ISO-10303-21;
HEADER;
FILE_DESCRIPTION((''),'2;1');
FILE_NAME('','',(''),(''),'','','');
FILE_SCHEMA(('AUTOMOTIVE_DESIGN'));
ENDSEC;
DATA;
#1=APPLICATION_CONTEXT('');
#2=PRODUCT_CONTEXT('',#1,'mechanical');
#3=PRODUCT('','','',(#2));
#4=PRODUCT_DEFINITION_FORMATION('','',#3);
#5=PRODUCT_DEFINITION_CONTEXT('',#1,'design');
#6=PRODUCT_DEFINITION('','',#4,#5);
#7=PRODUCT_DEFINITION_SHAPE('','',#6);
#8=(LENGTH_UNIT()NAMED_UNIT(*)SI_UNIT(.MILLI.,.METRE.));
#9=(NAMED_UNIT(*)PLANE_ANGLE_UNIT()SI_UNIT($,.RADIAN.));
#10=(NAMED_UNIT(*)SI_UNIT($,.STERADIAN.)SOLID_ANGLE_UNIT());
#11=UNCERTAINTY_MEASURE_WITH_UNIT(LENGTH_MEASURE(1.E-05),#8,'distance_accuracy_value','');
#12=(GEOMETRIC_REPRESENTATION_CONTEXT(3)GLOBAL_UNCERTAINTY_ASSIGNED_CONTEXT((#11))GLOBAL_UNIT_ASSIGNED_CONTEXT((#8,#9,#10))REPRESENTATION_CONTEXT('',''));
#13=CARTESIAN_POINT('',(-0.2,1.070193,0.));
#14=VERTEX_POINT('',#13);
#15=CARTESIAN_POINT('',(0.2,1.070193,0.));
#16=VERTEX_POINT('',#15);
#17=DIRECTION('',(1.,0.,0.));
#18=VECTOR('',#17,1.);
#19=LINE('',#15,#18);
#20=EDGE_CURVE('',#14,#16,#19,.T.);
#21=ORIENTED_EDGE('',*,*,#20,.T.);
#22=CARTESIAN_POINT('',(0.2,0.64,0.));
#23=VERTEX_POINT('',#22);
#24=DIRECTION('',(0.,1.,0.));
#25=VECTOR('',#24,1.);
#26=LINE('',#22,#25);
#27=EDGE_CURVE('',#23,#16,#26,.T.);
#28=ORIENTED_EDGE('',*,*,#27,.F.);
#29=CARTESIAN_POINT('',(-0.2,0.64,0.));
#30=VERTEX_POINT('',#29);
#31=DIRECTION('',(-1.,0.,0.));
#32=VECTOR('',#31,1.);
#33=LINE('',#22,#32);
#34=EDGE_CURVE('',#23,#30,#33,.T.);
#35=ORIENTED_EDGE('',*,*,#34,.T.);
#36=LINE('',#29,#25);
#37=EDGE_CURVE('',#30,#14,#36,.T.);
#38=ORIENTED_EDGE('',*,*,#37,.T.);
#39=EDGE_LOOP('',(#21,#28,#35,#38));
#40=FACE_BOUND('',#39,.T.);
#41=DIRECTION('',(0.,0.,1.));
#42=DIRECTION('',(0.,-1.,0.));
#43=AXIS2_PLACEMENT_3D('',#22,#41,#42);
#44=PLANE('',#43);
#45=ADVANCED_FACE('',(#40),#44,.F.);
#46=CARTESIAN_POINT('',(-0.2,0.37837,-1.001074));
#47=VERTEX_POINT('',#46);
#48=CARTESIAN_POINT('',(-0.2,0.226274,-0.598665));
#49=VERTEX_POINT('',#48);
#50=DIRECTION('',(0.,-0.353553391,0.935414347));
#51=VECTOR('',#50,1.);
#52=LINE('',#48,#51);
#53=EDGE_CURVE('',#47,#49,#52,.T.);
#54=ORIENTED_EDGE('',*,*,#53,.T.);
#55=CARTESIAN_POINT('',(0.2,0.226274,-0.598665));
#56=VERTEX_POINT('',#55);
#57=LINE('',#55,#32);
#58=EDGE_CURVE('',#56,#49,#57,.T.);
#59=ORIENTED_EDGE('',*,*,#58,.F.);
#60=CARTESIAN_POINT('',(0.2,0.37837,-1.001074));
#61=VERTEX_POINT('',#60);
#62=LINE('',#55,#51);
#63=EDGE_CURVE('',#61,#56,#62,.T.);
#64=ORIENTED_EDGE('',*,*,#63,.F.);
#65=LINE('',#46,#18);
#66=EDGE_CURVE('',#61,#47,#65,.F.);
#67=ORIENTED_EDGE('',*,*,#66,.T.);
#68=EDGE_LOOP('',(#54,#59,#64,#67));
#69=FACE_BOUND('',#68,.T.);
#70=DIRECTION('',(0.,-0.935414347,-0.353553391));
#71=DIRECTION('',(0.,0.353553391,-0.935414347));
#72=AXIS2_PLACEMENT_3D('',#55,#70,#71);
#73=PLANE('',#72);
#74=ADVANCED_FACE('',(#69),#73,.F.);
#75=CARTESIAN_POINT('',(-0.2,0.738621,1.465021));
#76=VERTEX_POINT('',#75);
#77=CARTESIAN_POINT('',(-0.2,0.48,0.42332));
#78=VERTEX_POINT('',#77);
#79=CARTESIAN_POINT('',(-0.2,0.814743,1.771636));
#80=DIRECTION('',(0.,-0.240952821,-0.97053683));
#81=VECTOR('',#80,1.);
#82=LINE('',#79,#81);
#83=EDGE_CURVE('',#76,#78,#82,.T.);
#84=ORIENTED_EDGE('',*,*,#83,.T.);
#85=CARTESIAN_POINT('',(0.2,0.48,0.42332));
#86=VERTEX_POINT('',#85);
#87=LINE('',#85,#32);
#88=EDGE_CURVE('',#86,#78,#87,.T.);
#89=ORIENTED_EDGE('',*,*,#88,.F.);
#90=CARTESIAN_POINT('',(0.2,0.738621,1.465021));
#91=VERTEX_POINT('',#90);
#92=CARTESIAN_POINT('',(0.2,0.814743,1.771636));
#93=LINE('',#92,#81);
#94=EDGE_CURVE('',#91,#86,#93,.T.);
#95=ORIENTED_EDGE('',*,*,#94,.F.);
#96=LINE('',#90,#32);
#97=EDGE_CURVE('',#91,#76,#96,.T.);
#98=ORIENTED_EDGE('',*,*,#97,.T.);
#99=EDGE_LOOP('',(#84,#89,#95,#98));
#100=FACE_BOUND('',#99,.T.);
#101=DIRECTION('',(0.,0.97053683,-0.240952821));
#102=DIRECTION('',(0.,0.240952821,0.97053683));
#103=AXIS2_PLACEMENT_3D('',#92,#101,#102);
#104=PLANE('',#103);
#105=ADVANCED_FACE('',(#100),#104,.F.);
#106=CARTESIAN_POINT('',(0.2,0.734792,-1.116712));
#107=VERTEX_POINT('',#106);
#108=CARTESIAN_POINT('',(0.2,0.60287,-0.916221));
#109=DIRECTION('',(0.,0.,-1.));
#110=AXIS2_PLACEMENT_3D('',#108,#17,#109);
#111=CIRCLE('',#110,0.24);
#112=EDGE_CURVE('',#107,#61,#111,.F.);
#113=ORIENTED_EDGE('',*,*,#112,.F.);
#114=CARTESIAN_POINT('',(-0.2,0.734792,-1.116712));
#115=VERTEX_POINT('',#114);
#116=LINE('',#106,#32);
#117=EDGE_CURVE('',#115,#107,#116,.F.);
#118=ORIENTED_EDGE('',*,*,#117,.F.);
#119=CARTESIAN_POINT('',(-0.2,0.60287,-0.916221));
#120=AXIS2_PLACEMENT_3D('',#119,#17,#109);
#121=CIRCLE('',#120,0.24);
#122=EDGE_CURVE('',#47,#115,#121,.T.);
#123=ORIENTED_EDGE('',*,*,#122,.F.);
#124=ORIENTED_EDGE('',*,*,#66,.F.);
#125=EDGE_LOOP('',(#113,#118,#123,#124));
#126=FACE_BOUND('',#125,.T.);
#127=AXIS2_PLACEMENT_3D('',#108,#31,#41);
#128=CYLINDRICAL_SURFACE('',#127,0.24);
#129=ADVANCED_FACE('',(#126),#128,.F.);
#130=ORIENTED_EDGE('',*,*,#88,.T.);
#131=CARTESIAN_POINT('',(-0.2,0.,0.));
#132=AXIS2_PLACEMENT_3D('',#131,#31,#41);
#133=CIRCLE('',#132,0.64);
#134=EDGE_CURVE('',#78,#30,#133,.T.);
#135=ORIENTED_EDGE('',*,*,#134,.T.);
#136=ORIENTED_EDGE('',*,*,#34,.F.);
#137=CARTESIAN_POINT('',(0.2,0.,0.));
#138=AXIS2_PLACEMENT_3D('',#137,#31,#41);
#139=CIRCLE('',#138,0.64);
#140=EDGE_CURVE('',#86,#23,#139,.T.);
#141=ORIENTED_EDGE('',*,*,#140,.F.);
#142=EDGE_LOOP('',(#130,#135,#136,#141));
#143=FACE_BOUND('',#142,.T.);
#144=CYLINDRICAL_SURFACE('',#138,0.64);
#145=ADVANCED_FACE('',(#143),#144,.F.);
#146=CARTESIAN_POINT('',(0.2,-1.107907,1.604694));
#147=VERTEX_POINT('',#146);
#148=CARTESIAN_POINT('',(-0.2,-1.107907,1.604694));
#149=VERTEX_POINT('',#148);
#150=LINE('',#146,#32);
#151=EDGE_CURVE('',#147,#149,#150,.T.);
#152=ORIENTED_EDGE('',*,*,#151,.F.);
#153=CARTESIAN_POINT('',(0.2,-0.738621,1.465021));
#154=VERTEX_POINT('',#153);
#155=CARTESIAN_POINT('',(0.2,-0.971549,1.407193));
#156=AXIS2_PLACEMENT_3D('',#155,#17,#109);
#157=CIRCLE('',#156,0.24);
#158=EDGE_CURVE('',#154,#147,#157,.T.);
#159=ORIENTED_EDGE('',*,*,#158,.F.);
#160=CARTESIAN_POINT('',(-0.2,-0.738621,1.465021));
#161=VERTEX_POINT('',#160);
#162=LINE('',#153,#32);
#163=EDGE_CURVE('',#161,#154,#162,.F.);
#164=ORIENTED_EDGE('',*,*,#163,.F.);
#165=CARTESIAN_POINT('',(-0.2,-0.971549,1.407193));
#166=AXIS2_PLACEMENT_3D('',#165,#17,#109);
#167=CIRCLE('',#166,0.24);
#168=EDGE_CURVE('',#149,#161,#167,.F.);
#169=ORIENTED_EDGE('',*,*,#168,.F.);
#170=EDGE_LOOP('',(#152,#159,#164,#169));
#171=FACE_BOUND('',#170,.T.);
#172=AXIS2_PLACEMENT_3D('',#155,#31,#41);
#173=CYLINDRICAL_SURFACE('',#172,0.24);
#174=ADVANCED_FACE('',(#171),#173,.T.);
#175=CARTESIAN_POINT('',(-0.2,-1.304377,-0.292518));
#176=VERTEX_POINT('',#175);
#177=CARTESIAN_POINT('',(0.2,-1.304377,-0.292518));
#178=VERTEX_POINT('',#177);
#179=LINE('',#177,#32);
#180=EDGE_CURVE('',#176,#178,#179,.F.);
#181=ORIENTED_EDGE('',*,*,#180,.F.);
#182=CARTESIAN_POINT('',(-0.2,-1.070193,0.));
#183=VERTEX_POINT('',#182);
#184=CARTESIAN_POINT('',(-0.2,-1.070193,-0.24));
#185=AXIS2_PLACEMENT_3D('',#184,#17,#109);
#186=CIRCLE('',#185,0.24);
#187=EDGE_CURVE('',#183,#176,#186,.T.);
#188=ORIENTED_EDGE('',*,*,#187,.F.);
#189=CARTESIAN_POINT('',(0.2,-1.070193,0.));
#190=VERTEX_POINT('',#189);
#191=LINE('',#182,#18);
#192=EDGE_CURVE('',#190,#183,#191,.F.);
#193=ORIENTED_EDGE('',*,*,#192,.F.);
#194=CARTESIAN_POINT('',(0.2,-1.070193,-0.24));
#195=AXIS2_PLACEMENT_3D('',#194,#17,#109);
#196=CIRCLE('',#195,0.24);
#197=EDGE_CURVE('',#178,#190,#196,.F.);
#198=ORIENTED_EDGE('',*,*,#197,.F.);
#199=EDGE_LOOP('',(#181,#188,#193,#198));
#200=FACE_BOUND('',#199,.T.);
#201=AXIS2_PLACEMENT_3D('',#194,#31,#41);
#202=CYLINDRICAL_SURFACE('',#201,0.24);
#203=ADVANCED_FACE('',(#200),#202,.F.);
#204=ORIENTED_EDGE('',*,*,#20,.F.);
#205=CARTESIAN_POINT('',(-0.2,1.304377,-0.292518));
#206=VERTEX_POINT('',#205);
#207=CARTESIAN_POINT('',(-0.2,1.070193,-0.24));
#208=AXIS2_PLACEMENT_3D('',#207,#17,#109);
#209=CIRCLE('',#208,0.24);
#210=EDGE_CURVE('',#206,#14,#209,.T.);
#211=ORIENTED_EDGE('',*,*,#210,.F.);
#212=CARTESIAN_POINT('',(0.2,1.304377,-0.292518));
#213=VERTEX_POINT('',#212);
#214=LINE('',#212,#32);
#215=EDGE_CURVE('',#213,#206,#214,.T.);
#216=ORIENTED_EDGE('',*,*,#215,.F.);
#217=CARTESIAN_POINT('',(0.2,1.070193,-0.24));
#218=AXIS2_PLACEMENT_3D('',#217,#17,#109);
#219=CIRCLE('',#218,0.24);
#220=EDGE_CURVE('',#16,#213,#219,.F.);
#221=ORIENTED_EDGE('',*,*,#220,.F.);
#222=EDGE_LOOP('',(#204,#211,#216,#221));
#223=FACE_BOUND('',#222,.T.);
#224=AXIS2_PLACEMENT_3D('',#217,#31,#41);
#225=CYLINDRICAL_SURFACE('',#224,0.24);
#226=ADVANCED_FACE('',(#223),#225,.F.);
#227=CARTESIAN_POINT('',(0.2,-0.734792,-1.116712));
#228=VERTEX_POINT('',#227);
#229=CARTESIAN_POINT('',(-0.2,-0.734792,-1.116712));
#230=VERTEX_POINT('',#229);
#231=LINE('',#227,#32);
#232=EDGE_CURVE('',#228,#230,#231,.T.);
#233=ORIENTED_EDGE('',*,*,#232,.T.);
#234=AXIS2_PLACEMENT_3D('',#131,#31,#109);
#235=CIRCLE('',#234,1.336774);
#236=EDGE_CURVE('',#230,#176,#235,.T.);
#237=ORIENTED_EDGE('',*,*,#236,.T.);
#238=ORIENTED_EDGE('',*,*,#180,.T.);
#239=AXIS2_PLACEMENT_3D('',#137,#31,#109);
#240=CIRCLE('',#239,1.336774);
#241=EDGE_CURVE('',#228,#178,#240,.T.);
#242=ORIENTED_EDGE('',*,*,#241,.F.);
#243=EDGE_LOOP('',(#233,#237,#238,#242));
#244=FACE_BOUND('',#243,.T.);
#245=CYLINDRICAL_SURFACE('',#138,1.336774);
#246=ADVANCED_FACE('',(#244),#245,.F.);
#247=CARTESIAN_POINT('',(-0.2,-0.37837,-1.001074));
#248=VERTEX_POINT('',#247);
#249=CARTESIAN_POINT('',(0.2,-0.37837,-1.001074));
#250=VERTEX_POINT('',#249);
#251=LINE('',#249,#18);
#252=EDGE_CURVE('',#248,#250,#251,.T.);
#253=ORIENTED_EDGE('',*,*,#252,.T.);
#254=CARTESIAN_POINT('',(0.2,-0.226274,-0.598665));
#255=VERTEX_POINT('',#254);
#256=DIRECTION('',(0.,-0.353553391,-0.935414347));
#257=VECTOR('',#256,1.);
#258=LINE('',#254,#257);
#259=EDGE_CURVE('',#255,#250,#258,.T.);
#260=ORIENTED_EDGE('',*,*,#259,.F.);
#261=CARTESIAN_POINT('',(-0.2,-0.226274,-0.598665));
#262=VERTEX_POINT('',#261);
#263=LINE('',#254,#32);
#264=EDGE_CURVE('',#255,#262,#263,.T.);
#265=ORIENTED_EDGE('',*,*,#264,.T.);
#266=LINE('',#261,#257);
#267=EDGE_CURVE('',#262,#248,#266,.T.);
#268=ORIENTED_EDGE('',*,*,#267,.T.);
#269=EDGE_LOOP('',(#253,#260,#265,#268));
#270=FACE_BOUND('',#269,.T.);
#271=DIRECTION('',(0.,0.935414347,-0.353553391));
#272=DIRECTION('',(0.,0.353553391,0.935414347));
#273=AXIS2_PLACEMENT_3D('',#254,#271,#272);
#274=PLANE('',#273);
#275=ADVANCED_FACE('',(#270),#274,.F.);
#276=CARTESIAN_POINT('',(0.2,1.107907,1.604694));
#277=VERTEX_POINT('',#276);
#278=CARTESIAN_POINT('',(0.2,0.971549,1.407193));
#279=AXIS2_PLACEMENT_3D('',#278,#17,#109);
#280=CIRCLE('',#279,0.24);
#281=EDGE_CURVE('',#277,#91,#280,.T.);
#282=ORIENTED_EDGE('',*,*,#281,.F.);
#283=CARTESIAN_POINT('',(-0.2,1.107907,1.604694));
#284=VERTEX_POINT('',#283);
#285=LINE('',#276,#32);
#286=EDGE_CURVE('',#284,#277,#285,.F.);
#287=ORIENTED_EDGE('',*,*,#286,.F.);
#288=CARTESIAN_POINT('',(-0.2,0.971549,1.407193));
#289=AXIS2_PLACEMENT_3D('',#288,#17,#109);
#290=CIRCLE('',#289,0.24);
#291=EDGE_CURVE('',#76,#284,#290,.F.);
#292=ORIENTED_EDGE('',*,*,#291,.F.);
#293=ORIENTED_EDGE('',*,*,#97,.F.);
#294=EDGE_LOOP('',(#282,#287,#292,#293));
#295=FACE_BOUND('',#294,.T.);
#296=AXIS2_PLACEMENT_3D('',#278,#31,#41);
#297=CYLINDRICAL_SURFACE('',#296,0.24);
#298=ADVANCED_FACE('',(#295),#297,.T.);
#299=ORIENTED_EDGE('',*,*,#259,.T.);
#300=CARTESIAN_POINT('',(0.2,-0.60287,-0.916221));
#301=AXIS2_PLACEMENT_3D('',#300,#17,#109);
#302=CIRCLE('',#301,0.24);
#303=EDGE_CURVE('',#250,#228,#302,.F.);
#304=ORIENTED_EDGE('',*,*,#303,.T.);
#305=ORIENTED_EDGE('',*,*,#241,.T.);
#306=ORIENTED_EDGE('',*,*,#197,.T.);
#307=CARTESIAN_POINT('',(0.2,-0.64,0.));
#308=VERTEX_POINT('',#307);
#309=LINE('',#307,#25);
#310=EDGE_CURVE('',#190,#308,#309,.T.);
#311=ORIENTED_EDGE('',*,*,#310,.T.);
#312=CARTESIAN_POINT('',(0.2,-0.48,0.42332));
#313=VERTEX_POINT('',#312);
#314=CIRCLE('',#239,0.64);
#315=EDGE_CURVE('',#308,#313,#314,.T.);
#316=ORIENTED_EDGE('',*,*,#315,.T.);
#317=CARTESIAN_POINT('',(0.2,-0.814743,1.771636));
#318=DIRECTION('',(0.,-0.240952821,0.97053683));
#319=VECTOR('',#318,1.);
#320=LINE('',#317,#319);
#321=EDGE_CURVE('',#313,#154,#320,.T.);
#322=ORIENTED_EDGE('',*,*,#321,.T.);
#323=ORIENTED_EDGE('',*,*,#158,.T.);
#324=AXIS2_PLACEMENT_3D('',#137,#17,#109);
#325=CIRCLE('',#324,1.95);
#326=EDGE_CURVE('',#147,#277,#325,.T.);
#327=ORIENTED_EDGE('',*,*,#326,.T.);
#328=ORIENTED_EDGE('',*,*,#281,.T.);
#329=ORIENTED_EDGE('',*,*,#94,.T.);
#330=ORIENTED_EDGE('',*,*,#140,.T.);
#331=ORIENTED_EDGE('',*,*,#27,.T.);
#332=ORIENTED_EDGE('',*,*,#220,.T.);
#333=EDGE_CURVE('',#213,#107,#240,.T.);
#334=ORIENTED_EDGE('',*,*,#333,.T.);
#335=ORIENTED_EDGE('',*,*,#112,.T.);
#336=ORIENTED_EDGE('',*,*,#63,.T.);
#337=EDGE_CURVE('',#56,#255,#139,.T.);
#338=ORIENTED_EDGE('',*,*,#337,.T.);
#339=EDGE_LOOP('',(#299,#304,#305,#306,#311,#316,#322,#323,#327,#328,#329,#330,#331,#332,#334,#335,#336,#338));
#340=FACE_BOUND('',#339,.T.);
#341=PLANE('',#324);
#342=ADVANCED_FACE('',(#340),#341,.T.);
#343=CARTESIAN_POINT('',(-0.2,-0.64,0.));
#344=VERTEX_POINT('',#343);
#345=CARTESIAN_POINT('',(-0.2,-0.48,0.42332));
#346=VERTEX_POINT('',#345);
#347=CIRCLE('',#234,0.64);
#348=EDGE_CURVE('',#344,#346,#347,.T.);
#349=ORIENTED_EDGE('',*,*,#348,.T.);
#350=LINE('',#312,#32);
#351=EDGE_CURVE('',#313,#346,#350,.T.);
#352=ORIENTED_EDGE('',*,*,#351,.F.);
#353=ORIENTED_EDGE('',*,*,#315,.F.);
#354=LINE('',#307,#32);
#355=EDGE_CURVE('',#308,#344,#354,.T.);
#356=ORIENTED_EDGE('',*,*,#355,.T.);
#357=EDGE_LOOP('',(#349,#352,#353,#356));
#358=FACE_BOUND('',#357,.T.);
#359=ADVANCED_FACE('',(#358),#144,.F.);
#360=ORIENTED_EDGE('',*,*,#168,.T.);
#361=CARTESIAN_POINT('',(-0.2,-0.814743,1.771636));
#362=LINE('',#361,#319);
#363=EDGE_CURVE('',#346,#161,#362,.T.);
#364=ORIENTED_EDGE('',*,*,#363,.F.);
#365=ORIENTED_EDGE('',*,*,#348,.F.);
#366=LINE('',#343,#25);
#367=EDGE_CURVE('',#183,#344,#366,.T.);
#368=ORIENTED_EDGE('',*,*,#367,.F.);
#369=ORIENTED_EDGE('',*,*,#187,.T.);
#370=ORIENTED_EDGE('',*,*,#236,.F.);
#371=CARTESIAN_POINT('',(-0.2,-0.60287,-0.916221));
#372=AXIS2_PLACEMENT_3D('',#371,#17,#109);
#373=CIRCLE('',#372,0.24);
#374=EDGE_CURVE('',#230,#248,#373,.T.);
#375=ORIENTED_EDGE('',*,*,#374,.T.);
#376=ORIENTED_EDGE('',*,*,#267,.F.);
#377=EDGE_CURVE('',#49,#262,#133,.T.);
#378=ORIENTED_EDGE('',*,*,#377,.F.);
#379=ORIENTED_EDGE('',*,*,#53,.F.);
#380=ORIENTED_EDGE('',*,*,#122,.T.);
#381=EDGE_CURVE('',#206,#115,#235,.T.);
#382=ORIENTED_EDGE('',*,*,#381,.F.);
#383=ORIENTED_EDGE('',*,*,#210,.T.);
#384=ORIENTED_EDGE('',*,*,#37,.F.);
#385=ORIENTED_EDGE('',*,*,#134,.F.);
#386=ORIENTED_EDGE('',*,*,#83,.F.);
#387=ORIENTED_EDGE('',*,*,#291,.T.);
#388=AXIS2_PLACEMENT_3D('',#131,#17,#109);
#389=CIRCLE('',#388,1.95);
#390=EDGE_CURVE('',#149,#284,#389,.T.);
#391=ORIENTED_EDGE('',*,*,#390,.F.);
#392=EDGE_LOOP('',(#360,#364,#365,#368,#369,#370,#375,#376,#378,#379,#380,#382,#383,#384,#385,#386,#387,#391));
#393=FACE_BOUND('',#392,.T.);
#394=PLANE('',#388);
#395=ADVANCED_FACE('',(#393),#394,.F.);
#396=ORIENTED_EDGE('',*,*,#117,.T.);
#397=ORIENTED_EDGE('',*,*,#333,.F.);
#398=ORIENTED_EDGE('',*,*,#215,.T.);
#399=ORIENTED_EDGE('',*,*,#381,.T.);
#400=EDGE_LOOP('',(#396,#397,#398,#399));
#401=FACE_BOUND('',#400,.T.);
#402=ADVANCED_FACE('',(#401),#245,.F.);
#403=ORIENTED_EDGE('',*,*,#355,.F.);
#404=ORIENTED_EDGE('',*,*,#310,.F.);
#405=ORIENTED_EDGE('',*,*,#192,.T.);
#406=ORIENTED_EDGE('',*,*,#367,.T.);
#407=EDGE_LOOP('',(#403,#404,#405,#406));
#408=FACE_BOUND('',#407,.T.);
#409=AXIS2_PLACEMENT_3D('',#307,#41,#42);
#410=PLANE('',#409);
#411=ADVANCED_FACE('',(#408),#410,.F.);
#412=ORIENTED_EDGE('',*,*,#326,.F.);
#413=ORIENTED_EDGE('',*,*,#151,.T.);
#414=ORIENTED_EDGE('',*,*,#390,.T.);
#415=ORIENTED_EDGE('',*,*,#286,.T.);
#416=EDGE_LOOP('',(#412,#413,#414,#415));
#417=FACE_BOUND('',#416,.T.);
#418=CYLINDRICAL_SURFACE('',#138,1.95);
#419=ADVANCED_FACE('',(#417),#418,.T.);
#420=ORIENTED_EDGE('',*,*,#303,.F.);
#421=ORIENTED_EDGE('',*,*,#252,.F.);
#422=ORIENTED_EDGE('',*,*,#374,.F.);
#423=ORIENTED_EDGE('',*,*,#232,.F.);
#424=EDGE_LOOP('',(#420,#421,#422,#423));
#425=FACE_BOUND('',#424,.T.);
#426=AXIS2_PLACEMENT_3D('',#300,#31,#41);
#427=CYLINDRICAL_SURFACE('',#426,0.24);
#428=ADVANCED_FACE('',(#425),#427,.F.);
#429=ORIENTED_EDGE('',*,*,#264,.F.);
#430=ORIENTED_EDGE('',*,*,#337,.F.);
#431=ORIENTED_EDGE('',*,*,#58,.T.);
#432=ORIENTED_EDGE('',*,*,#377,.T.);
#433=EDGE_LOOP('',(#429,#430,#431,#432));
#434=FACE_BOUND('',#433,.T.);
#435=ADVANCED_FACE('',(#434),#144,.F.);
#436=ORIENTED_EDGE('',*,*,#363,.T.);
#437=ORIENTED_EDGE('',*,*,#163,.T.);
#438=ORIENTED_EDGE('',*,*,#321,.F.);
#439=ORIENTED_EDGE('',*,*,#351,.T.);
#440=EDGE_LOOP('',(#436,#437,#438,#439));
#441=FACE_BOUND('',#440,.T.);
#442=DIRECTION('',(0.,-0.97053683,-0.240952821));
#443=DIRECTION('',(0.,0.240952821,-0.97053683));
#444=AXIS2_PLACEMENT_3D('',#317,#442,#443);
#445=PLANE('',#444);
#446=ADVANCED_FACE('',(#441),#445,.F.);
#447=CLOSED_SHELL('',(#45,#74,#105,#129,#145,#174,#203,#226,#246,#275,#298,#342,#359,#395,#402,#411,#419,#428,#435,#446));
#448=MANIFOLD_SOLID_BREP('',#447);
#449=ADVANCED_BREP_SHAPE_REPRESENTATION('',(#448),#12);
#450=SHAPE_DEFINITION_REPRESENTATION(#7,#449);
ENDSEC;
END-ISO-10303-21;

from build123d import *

# Parameters (mm, degrees)
EXTRUDE1_DEPTH = 0.2
FILLET1_R      = 0.24


with BuildPart() as part:
    # Sketch1 → Extrude1 (new, symmetric)
    with BuildSketch(Plane(origin=(0, 0, 0), x_dir=(0, 0, -1), z_dir=(1, 0, 0))):
        with BuildLine():
            Line((-1.771635896, -0.814743059), (-0.42332021, -0.48))
            ThreePointArc((-0.42332021, -0.48), (-0.22627417, -0.598665182), (0, -0.64))
            Line((0, -0.64), (0, -1.336774194))
            ThreePointArc((0, -1.336774194), (0.759992639, -1.099716524), (1.250437759, -0.472621049))
            Line((1.250437759, -0.472621049), (0.598665182, -0.22627417))
            ThreePointArc((0.598665182, -0.22627417), (0.64, 0), (0.598665182, 0.22627417))
            Line((0.598665182, 0.22627417), (1.250437759, 0.472621049))
            ThreePointArc((1.250437759, 0.472621049), (0.759992639, 1.099716524), (0, 1.336774194))
            Line((0, 1.336774194), (0, 0.64))
            ThreePointArc((0, 0.64), (-0.22627417, 0.598665182), (-0.42332021, 0.48))
            Line((-0.42332021, 0.48), (-1.771635896, 0.814743059))
            ThreePointArc((-1.771635896, 0.814743059), (1.95, 0), (-1.771635896, -0.814743059))
        make_face()
    extrude(amount=EXTRUDE1_DEPTH, both=True)

    # Fillet1
    fillet1_edges = [part.edges().sort_by_distance(p)[0] for p in [
        (0, -0.814743059, 1.771635896),
        (0, -1.336774194, 0),
        (0, -0.472621049, -1.250437759),
        (0, 0.472621049, -1.250437759),
        (0, 1.336774194, 0),
        (0, 0.814743059, 1.771635896),
    ]]
    fillet(fillet1_edges, radius=FILLET1_R)


solid = part.part
